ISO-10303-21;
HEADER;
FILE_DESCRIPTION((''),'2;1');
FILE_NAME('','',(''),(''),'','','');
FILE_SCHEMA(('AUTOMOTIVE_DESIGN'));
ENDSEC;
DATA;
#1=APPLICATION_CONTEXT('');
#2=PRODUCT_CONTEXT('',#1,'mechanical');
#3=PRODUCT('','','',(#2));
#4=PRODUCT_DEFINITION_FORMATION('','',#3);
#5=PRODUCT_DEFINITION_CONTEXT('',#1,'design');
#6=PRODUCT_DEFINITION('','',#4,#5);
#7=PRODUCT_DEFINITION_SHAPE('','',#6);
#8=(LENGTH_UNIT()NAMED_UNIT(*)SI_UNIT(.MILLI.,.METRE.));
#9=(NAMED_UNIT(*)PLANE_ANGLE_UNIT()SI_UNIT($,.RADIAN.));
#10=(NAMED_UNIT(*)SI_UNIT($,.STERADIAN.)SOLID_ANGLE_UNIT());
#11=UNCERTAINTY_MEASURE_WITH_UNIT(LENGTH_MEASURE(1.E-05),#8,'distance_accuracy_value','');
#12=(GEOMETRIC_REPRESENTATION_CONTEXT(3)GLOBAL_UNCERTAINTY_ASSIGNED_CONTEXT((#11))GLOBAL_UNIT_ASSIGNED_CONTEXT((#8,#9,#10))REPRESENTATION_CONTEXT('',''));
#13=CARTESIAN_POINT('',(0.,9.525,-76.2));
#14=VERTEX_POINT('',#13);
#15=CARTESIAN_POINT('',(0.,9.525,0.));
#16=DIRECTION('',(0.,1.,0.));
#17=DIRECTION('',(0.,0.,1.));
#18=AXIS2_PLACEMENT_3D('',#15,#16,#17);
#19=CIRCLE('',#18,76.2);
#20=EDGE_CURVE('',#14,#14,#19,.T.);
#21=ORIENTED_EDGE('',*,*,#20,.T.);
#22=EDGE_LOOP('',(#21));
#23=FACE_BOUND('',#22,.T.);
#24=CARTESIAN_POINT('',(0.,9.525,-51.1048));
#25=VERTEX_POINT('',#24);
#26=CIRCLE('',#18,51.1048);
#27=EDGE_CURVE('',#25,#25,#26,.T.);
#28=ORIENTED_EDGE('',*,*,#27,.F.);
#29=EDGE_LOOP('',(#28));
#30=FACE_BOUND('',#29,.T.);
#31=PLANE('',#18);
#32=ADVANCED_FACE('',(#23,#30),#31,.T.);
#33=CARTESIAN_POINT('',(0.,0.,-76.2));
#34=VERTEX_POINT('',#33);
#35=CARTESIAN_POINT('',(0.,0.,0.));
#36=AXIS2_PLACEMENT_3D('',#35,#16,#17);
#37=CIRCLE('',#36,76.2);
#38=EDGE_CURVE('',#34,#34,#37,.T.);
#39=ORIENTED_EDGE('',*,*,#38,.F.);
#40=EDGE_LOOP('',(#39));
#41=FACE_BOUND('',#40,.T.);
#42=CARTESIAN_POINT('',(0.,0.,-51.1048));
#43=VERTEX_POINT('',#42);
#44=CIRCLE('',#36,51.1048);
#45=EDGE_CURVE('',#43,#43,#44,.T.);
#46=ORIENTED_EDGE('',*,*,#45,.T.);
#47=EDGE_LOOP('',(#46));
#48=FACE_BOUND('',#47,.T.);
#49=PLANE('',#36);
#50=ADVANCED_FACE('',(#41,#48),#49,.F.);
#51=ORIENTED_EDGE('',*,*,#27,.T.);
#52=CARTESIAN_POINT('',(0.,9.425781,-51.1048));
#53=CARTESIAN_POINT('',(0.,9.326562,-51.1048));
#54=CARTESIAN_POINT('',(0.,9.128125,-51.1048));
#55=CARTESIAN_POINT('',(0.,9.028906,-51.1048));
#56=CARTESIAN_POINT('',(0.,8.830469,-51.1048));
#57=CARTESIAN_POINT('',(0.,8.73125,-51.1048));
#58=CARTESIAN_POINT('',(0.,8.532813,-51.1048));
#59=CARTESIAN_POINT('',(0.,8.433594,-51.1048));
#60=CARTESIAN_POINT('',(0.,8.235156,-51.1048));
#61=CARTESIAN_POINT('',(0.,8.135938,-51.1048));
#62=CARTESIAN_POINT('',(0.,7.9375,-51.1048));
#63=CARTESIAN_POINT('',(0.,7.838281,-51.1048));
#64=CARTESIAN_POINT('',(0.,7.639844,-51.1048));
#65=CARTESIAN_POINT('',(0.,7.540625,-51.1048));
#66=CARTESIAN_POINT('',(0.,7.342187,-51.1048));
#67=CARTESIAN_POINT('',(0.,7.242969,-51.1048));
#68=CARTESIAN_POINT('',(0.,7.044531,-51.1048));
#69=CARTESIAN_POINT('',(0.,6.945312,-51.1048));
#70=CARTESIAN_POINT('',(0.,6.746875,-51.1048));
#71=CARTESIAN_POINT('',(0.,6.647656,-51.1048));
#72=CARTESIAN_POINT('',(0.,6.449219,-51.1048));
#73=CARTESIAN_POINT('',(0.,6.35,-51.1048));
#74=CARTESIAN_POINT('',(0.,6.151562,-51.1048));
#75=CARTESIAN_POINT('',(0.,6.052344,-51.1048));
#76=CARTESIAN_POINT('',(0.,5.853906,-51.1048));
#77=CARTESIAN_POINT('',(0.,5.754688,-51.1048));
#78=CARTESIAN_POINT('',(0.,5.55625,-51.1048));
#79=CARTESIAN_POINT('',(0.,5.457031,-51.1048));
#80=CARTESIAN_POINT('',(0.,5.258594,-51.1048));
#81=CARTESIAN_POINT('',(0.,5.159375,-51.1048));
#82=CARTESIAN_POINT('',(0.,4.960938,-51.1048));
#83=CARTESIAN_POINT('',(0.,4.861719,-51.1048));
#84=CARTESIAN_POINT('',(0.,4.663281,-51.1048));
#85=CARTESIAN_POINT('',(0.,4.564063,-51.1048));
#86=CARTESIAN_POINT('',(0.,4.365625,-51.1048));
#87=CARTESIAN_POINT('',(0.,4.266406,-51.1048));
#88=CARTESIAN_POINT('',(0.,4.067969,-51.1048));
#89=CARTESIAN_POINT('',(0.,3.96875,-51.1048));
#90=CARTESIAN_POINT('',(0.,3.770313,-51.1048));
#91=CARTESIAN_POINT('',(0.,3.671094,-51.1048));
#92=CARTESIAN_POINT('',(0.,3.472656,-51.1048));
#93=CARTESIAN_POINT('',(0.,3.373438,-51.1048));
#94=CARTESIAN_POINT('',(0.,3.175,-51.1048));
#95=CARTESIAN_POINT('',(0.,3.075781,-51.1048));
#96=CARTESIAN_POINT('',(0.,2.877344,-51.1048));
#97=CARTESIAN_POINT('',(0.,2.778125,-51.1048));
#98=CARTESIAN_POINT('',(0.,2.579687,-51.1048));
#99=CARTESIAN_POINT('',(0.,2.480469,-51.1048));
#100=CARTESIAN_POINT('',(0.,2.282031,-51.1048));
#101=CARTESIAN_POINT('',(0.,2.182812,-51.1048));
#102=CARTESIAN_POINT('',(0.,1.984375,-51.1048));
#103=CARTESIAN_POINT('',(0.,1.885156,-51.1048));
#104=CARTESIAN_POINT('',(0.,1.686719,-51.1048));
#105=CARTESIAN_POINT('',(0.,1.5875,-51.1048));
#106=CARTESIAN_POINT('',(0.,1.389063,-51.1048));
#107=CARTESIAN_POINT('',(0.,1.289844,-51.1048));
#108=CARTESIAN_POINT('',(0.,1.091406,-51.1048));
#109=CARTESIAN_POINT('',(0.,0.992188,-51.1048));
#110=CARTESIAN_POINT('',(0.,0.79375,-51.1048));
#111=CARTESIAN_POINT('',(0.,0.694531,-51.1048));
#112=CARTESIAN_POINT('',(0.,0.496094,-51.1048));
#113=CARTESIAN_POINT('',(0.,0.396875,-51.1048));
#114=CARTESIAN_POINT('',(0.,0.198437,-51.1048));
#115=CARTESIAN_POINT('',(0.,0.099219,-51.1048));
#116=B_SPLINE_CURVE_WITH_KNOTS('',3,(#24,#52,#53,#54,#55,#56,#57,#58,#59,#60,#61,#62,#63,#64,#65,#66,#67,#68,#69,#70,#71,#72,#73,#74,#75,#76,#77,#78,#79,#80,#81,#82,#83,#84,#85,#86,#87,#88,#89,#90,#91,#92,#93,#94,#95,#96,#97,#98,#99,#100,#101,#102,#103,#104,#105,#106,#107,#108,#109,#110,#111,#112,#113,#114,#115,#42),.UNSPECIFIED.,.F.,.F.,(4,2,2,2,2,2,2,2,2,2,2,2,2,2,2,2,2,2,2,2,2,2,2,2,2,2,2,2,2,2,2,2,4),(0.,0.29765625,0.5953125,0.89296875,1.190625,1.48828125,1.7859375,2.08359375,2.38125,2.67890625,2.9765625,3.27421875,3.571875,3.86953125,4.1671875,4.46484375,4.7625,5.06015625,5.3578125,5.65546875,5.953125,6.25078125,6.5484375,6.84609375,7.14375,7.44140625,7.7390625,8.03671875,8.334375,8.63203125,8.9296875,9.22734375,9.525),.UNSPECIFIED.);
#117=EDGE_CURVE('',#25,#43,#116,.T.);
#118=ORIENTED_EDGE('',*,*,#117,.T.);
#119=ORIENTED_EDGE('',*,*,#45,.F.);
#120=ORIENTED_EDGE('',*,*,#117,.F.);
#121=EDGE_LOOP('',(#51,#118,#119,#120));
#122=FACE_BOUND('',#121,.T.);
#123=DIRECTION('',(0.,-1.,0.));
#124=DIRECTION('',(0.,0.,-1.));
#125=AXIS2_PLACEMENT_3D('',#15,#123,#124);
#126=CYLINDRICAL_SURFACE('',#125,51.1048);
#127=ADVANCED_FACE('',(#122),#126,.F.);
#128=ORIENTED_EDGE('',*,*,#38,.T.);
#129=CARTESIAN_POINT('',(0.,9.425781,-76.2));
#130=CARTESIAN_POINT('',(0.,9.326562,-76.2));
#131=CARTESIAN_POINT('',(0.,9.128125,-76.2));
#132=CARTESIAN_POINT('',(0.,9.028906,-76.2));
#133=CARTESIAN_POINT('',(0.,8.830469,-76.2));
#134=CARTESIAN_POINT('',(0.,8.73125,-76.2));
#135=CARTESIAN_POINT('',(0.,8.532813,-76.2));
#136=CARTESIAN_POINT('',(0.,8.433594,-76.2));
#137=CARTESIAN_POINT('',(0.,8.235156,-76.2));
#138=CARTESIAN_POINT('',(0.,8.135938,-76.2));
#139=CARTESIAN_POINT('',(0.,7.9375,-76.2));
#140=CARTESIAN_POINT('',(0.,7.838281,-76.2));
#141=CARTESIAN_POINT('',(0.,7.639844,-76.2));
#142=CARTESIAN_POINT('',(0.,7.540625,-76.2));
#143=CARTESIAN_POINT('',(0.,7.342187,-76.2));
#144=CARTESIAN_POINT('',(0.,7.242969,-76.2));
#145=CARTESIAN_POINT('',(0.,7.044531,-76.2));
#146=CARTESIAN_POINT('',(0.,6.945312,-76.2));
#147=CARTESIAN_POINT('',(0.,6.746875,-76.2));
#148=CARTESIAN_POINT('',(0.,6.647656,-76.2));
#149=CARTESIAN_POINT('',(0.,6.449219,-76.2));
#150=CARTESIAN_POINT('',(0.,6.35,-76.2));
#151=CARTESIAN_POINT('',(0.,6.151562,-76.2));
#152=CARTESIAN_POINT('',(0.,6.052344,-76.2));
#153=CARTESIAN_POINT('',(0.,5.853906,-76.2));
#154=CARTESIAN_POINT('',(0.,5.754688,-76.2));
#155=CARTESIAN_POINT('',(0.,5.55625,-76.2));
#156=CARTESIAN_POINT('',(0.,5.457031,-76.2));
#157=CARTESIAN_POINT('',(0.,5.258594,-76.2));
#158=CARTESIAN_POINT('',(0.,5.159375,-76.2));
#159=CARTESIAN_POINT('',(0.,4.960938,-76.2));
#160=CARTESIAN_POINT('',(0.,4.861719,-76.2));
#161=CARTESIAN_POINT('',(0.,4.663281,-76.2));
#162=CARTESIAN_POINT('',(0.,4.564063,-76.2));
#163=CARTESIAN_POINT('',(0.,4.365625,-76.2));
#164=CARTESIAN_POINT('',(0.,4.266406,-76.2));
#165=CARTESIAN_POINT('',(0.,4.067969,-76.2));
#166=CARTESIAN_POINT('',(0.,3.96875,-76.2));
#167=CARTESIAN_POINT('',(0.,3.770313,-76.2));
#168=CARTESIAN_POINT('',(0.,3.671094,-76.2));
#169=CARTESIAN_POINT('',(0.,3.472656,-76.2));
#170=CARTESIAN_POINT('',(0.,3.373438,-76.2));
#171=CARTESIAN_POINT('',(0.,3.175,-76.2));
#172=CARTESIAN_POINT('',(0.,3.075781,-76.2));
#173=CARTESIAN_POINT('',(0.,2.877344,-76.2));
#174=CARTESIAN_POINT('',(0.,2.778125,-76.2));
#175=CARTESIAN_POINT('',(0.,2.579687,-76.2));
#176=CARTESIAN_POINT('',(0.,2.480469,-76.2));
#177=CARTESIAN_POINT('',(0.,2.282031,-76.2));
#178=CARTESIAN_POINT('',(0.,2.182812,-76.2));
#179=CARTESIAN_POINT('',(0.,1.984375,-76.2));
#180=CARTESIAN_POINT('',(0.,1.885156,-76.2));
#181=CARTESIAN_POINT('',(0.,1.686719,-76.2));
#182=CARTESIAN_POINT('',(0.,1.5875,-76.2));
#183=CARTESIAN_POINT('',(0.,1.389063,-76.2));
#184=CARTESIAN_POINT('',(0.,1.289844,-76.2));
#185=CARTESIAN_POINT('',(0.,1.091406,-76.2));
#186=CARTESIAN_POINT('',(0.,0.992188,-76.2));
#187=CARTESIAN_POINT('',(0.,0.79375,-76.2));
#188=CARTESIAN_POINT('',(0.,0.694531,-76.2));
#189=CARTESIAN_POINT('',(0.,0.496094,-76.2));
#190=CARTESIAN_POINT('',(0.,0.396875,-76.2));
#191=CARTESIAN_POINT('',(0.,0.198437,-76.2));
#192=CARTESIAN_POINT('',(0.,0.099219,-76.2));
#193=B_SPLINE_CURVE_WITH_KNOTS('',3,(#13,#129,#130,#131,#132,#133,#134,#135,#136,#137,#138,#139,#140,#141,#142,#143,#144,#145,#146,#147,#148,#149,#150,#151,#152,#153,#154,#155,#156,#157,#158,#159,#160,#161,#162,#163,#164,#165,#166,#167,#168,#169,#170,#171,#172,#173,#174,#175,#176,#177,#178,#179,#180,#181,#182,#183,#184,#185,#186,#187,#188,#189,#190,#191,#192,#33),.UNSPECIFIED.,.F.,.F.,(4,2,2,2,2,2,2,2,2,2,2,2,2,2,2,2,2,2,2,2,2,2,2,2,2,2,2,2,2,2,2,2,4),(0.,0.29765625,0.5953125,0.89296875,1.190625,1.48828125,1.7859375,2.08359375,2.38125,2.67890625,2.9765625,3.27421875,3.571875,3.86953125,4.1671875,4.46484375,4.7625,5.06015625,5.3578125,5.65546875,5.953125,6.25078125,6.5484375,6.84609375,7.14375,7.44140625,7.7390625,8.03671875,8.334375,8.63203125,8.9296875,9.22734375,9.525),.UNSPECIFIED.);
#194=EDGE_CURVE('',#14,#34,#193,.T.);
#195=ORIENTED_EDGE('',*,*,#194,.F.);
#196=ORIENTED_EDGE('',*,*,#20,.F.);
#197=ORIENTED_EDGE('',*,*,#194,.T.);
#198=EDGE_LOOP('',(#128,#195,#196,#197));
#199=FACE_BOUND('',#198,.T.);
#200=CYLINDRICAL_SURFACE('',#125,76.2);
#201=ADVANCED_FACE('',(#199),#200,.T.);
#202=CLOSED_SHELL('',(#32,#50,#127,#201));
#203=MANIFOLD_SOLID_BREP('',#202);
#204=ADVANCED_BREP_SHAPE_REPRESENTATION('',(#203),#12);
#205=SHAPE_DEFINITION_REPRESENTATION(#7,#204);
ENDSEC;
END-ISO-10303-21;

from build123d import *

# Parameters (mm, degrees)
CENTERING_RING_PROFILE_R   = 76.2
CENTERING_RING_PROFILE_R_2 = 51.1048
CENTERING_RING_BODY_DEPTH  = 9.525


with BuildPart() as part:
    # Centering Ring Profile → Centering Ring Body (new body)
    with BuildSketch(Plane(origin=(0, 0, 0), x_dir=(1, 0, 0), z_dir=(0, 1, 0))):
        with Locations(Location((0, 0, 0), (0, 0, 90))):
            Circle(CENTERING_RING_PROFILE_R)
        with Locations(Location((0, 0, 0), (0, 0, 90))):
            Circle(CENTERING_RING_PROFILE_R_2, mode=Mode.SUBTRACT)
    extrude(amount=CENTERING_RING_BODY_DEPTH)


solid = part.part
